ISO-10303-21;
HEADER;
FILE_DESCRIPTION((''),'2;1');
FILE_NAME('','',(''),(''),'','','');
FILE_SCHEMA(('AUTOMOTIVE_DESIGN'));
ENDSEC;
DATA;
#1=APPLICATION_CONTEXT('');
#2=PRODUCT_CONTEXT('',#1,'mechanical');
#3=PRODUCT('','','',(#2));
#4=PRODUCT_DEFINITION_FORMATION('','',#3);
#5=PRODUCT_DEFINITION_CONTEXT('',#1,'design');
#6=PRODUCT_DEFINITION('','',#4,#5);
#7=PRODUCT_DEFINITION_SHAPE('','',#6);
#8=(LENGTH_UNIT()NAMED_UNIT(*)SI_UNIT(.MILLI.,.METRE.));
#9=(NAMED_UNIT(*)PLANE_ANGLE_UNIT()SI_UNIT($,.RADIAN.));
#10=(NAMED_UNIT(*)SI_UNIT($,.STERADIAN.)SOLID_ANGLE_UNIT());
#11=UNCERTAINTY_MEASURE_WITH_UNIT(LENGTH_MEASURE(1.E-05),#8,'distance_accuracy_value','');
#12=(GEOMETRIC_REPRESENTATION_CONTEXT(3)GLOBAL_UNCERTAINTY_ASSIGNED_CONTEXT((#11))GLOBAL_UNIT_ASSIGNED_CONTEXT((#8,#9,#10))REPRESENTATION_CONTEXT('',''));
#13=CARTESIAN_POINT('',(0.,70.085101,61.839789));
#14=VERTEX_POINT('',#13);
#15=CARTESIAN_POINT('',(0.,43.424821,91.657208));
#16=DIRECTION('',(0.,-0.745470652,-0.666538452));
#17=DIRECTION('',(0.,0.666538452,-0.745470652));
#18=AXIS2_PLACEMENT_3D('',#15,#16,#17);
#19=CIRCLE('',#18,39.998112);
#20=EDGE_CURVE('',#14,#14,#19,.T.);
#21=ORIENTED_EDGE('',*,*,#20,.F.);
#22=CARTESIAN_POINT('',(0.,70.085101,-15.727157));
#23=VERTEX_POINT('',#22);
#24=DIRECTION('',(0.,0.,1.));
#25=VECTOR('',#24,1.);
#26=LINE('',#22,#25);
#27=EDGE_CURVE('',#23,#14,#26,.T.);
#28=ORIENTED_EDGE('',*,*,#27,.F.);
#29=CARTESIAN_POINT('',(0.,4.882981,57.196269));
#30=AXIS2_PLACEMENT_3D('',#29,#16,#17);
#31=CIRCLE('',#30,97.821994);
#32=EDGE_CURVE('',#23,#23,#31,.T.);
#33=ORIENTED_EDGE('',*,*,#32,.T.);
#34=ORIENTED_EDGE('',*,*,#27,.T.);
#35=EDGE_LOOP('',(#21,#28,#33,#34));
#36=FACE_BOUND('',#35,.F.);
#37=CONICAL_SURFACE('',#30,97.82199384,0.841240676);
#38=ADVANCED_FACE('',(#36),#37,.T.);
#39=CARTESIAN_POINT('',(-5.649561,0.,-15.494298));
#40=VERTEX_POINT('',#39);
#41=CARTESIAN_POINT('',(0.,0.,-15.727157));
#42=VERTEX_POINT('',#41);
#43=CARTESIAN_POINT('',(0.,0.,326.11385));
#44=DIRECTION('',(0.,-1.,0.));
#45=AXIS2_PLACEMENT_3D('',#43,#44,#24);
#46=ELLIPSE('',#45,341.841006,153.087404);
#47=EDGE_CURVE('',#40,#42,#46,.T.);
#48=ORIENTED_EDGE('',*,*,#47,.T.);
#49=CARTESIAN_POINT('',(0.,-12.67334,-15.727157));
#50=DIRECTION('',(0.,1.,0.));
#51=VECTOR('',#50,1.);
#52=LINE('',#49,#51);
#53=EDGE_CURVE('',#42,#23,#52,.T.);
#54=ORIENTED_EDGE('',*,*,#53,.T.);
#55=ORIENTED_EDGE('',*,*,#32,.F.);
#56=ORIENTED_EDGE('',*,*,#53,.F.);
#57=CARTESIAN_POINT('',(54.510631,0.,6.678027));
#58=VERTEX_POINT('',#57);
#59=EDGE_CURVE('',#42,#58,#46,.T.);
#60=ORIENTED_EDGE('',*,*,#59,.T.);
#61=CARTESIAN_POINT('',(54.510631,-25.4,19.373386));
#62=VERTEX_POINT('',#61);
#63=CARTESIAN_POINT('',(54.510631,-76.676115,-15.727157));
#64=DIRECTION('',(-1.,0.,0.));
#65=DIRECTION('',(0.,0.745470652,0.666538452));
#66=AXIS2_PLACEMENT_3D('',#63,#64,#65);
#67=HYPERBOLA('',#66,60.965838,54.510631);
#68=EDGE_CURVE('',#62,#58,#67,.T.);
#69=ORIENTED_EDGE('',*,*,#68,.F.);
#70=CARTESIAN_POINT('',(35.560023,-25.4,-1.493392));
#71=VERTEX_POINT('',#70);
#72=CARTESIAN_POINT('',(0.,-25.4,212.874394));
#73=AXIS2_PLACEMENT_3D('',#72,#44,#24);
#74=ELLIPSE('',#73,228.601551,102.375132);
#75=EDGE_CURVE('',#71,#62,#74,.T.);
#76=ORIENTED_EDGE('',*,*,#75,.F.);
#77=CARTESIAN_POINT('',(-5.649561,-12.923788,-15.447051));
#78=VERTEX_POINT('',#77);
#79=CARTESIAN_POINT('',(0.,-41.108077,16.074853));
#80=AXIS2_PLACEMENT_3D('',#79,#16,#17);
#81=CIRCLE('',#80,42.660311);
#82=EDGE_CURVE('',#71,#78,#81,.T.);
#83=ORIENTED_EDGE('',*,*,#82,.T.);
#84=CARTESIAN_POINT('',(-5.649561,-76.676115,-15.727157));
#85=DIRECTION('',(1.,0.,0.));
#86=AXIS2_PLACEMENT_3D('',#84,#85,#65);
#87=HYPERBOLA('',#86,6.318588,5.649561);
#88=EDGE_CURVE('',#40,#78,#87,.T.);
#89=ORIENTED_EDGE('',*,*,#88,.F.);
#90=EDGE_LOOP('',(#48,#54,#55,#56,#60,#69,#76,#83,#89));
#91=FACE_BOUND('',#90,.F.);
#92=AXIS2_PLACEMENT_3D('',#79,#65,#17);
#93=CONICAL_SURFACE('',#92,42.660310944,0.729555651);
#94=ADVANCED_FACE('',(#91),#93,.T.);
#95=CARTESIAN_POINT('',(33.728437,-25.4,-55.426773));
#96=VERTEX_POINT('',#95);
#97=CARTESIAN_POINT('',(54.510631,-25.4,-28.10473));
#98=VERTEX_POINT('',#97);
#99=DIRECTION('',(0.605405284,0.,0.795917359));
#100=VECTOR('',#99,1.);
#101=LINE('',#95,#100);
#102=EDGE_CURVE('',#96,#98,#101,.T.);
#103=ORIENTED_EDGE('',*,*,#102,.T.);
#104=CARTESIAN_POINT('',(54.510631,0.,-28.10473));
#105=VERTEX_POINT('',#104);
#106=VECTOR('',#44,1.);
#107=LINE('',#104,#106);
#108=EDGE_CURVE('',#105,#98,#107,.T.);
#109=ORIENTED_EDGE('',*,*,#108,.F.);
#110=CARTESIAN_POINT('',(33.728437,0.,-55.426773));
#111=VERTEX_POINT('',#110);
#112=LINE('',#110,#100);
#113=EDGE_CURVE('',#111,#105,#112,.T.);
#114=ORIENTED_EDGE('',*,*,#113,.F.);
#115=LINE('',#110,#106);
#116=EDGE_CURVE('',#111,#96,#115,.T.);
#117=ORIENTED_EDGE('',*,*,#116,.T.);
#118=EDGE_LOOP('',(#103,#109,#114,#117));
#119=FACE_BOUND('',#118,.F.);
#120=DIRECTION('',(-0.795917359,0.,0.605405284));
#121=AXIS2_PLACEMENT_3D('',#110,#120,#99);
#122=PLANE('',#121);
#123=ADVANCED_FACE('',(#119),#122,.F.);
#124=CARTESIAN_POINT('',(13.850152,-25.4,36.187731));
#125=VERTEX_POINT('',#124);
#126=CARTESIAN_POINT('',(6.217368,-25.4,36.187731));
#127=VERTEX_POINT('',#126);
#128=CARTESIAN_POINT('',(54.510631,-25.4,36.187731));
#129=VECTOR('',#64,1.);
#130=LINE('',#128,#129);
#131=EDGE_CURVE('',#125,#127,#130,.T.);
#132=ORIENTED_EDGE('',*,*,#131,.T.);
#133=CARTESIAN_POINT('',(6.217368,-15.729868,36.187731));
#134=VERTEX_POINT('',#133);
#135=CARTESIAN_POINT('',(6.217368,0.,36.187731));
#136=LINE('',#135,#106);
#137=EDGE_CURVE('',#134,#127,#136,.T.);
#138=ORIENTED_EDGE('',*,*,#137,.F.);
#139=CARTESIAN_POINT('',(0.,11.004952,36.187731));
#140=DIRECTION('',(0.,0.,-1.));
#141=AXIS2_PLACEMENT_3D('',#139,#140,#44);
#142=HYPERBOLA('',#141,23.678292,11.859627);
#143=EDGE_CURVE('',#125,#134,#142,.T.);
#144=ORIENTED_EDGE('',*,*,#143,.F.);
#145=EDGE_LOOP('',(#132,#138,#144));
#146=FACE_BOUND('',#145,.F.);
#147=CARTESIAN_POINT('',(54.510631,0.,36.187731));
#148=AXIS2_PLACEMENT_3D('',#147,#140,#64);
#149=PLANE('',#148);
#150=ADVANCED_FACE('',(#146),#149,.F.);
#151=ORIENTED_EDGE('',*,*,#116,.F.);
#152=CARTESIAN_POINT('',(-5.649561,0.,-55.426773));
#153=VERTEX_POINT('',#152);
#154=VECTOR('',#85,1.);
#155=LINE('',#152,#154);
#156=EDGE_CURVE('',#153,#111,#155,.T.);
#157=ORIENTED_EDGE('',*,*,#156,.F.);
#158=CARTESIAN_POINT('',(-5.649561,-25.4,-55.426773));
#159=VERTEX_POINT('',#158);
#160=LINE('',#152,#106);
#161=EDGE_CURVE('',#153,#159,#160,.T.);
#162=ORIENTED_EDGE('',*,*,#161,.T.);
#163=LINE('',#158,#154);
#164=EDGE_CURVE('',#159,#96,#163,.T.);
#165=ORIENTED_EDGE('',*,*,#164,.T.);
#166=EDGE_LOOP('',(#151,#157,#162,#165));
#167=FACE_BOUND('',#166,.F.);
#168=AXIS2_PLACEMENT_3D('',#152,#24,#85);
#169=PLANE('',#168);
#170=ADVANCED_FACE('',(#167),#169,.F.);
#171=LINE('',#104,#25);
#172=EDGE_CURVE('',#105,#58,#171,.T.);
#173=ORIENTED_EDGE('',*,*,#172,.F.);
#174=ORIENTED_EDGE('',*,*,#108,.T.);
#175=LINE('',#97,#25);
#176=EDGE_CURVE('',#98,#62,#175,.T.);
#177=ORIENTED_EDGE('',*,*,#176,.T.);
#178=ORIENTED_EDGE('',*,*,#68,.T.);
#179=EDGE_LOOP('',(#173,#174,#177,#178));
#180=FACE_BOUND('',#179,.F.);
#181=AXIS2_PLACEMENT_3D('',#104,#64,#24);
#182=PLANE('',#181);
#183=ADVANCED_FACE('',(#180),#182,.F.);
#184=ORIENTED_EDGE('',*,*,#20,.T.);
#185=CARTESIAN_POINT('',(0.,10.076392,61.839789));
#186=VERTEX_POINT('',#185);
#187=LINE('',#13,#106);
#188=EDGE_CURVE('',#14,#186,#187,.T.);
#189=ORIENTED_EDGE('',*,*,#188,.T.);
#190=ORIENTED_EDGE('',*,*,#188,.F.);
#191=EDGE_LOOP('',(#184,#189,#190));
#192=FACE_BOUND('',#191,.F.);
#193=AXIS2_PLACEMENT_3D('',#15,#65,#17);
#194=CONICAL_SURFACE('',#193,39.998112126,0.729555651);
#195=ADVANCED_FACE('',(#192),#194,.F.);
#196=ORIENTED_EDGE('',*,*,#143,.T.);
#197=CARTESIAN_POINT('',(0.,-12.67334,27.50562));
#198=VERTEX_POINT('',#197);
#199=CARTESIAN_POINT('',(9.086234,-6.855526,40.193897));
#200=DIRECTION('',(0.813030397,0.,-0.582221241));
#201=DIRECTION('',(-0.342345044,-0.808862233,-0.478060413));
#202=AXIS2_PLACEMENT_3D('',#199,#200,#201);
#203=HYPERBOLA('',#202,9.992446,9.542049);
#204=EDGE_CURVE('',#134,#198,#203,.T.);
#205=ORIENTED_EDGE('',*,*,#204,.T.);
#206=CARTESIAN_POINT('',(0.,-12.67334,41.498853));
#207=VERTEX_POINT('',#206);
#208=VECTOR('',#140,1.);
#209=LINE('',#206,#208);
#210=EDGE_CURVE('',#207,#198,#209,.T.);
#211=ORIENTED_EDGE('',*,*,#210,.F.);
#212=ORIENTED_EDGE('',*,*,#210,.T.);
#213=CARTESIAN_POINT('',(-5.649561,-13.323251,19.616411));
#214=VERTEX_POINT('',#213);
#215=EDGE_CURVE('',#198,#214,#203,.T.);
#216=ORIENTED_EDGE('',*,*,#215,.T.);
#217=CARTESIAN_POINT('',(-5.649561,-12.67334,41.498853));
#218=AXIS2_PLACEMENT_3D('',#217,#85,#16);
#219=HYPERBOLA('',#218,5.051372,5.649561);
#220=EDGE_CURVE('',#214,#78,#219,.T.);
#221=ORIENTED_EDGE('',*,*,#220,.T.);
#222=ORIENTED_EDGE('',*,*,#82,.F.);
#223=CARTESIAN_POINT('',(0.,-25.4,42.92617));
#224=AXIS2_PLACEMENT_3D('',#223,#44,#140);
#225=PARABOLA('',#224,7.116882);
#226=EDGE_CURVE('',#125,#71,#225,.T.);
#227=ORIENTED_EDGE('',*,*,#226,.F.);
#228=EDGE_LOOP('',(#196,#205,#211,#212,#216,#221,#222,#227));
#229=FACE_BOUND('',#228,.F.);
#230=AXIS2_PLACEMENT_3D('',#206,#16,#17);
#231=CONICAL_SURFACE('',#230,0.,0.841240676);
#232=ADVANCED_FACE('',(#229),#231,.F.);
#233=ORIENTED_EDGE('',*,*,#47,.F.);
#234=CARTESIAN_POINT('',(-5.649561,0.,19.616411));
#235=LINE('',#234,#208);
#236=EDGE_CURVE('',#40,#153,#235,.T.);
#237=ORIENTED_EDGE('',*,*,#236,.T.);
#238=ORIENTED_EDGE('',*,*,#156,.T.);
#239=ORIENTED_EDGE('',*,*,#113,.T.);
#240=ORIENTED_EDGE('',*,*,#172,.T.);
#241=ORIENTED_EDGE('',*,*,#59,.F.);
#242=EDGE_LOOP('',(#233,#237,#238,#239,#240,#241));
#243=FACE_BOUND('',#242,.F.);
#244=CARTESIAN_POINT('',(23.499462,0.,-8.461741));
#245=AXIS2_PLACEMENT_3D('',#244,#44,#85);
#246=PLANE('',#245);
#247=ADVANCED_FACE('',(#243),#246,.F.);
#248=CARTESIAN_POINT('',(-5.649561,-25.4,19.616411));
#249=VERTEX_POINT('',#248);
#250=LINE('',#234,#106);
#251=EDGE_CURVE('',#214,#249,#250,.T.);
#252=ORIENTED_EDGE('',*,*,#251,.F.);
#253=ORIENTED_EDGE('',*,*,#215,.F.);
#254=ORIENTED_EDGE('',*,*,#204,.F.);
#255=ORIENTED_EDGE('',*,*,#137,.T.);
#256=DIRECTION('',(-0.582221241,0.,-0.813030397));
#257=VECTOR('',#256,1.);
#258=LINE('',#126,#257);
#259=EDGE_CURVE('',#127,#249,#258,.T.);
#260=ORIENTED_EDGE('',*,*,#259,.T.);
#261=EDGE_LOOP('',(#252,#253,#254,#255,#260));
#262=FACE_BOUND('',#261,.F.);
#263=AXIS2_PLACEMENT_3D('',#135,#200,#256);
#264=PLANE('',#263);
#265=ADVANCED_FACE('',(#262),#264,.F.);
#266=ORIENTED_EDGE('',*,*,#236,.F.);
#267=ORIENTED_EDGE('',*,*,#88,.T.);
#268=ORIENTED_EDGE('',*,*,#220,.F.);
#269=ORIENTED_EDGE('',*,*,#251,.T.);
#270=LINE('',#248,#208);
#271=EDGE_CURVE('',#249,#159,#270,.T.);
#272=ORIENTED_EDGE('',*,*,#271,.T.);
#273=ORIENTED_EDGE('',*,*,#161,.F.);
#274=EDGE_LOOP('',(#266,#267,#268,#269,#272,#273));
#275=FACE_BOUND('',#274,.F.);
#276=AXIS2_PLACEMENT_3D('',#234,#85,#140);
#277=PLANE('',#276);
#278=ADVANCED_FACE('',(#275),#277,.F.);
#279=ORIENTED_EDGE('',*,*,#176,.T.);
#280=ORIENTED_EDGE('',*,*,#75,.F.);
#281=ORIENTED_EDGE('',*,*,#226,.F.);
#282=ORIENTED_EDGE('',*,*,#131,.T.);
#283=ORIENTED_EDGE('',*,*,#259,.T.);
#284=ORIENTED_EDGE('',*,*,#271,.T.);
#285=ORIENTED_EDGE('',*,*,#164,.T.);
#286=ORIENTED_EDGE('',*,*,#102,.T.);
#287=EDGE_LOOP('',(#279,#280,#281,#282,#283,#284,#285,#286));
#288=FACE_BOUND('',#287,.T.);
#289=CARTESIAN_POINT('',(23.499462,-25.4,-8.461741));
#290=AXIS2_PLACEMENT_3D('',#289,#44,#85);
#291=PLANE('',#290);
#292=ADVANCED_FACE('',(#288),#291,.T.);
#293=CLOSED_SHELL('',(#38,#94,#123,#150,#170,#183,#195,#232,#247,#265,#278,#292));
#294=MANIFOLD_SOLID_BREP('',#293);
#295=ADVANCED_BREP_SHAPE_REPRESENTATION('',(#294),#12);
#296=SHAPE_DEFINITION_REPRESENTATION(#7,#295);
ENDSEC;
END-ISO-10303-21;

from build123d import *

# Parameters (mm, degrees)
F1_DEPTH = 25.4


with BuildPart() as f1:
    # F0 (on Front) → F1 (new body)
    with BuildSketch(Plane.XZ):
        Polygon((54.5106306672, 36.1877307296), (6.2173682239, 36.1877307296), (-5.6495610625, 19.6164111685), (-5.6495610625, -55.4267726839), (33.7284366412, -55.4267726839), (54.5106306672, -28.1047300409), align=None)
    extrude(amount=F1_DEPTH)

    # F2 (on Right) → F3 (revolve)
    with BuildSketch(Plane.YZ):
        Polygon((70.0851008296, 61.8397891521), (10.0763916288, 61.8397891521), (-12.6733398065, 41.4988532085), (-12.6733398065, -15.7271567732), (70.0851008296, -15.7271567732), align=None)
    revolve(axis=Axis((0, -4.0846643969, 49.1781393066), (0, -0.7454706515, -0.6665384518)))


solid = f1.part
